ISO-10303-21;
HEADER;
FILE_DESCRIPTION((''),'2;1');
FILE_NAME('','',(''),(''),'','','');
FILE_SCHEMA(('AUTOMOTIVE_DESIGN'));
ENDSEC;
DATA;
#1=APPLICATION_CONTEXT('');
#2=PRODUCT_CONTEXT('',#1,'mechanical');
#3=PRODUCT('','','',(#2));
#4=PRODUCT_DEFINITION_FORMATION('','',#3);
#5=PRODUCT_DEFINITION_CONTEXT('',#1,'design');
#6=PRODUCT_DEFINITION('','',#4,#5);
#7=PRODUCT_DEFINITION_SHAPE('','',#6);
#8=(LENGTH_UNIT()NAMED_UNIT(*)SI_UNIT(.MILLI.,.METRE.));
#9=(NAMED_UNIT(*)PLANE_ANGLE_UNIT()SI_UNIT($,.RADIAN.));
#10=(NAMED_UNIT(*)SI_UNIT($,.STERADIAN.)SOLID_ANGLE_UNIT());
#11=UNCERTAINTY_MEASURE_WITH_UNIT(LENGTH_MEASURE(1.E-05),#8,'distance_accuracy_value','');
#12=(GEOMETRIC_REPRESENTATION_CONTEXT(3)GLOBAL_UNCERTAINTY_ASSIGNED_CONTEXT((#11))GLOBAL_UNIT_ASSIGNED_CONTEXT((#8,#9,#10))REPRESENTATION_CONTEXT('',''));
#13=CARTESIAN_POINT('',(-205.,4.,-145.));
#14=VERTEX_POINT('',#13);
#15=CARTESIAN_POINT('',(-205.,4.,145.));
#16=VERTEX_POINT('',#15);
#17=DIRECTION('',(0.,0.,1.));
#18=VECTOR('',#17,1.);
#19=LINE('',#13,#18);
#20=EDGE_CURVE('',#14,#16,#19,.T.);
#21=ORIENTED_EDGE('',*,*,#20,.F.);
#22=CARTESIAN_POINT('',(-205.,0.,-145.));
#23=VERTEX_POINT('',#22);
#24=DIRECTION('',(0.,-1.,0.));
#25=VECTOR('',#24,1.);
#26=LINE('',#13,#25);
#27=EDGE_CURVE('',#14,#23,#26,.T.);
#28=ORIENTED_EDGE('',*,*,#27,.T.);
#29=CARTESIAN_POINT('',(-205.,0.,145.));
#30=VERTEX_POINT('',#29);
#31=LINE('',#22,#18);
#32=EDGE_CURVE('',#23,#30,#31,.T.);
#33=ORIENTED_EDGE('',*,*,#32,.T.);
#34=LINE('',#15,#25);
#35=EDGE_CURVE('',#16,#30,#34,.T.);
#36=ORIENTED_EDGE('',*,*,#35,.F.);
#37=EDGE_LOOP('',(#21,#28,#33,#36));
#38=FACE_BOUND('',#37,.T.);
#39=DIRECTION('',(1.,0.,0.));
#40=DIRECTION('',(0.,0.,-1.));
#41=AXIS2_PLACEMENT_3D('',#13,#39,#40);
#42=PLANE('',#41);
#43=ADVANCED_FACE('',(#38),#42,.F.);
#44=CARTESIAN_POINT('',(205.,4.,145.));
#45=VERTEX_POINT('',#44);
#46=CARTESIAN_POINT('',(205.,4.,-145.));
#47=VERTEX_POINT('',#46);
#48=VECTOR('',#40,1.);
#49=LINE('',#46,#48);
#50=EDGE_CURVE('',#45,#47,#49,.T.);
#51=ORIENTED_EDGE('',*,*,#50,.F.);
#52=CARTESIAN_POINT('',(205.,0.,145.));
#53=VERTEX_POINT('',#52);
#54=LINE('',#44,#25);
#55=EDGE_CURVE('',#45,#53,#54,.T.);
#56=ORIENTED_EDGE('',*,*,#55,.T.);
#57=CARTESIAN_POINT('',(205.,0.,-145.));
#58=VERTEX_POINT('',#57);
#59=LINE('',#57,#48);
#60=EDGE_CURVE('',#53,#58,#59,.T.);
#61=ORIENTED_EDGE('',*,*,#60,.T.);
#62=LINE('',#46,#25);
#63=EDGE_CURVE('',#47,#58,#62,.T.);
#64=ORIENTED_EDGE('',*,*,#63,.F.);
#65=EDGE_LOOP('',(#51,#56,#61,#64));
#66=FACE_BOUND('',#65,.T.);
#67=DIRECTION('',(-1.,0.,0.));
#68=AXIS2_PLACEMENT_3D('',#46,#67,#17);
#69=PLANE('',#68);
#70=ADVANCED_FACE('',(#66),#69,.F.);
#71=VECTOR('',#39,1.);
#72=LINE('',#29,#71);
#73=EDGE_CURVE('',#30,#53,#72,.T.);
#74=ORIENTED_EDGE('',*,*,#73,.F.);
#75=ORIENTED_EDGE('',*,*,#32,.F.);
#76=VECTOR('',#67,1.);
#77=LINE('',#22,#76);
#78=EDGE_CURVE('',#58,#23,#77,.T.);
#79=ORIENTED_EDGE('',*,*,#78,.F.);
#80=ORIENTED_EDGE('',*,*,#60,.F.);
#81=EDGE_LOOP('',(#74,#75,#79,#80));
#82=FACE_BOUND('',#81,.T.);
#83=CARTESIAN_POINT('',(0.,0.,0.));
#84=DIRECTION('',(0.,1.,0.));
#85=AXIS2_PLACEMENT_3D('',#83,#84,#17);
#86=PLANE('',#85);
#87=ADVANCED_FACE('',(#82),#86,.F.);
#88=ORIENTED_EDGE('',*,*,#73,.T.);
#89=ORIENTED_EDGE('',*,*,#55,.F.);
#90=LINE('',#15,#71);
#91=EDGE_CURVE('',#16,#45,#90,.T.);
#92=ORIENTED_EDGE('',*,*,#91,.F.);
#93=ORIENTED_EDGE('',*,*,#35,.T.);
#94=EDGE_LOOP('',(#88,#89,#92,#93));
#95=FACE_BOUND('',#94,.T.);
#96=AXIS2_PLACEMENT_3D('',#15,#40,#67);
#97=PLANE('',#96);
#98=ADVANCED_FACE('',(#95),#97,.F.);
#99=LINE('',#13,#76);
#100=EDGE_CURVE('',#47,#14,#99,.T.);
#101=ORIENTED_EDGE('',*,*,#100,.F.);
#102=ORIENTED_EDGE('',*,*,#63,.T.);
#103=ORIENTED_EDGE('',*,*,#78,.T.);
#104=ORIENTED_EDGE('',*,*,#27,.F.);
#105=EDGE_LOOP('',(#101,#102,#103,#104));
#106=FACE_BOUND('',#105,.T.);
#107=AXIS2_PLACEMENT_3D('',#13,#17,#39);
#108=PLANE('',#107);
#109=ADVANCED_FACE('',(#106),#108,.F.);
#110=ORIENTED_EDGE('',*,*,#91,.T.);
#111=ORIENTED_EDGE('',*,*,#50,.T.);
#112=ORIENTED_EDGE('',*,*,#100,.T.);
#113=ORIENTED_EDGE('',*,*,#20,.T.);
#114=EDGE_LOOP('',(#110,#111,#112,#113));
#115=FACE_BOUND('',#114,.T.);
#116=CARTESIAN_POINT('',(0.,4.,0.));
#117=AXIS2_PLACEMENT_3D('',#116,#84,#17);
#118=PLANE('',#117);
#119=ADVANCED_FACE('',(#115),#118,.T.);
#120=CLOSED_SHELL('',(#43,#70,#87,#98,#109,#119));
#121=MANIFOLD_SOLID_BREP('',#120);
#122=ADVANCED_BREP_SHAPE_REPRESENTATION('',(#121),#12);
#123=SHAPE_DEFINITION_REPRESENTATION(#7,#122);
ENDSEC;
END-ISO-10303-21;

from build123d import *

# Parameters (mm, degrees)
SKETCH_1_W      = 410
SKETCH_1_H      = 290
EXTRUDE_1_DEPTH = 4


with BuildPart() as part:
    # 草图1 → 凸台-拉伸1 (new body)
    with BuildSketch(Plane(origin=(0, 0, 0), x_dir=(1, 0, 0), z_dir=(0, 1, 0))):
        Rectangle(SKETCH_1_W, SKETCH_1_H)
    extrude(amount=EXTRUDE_1_DEPTH)


solid = part.part
